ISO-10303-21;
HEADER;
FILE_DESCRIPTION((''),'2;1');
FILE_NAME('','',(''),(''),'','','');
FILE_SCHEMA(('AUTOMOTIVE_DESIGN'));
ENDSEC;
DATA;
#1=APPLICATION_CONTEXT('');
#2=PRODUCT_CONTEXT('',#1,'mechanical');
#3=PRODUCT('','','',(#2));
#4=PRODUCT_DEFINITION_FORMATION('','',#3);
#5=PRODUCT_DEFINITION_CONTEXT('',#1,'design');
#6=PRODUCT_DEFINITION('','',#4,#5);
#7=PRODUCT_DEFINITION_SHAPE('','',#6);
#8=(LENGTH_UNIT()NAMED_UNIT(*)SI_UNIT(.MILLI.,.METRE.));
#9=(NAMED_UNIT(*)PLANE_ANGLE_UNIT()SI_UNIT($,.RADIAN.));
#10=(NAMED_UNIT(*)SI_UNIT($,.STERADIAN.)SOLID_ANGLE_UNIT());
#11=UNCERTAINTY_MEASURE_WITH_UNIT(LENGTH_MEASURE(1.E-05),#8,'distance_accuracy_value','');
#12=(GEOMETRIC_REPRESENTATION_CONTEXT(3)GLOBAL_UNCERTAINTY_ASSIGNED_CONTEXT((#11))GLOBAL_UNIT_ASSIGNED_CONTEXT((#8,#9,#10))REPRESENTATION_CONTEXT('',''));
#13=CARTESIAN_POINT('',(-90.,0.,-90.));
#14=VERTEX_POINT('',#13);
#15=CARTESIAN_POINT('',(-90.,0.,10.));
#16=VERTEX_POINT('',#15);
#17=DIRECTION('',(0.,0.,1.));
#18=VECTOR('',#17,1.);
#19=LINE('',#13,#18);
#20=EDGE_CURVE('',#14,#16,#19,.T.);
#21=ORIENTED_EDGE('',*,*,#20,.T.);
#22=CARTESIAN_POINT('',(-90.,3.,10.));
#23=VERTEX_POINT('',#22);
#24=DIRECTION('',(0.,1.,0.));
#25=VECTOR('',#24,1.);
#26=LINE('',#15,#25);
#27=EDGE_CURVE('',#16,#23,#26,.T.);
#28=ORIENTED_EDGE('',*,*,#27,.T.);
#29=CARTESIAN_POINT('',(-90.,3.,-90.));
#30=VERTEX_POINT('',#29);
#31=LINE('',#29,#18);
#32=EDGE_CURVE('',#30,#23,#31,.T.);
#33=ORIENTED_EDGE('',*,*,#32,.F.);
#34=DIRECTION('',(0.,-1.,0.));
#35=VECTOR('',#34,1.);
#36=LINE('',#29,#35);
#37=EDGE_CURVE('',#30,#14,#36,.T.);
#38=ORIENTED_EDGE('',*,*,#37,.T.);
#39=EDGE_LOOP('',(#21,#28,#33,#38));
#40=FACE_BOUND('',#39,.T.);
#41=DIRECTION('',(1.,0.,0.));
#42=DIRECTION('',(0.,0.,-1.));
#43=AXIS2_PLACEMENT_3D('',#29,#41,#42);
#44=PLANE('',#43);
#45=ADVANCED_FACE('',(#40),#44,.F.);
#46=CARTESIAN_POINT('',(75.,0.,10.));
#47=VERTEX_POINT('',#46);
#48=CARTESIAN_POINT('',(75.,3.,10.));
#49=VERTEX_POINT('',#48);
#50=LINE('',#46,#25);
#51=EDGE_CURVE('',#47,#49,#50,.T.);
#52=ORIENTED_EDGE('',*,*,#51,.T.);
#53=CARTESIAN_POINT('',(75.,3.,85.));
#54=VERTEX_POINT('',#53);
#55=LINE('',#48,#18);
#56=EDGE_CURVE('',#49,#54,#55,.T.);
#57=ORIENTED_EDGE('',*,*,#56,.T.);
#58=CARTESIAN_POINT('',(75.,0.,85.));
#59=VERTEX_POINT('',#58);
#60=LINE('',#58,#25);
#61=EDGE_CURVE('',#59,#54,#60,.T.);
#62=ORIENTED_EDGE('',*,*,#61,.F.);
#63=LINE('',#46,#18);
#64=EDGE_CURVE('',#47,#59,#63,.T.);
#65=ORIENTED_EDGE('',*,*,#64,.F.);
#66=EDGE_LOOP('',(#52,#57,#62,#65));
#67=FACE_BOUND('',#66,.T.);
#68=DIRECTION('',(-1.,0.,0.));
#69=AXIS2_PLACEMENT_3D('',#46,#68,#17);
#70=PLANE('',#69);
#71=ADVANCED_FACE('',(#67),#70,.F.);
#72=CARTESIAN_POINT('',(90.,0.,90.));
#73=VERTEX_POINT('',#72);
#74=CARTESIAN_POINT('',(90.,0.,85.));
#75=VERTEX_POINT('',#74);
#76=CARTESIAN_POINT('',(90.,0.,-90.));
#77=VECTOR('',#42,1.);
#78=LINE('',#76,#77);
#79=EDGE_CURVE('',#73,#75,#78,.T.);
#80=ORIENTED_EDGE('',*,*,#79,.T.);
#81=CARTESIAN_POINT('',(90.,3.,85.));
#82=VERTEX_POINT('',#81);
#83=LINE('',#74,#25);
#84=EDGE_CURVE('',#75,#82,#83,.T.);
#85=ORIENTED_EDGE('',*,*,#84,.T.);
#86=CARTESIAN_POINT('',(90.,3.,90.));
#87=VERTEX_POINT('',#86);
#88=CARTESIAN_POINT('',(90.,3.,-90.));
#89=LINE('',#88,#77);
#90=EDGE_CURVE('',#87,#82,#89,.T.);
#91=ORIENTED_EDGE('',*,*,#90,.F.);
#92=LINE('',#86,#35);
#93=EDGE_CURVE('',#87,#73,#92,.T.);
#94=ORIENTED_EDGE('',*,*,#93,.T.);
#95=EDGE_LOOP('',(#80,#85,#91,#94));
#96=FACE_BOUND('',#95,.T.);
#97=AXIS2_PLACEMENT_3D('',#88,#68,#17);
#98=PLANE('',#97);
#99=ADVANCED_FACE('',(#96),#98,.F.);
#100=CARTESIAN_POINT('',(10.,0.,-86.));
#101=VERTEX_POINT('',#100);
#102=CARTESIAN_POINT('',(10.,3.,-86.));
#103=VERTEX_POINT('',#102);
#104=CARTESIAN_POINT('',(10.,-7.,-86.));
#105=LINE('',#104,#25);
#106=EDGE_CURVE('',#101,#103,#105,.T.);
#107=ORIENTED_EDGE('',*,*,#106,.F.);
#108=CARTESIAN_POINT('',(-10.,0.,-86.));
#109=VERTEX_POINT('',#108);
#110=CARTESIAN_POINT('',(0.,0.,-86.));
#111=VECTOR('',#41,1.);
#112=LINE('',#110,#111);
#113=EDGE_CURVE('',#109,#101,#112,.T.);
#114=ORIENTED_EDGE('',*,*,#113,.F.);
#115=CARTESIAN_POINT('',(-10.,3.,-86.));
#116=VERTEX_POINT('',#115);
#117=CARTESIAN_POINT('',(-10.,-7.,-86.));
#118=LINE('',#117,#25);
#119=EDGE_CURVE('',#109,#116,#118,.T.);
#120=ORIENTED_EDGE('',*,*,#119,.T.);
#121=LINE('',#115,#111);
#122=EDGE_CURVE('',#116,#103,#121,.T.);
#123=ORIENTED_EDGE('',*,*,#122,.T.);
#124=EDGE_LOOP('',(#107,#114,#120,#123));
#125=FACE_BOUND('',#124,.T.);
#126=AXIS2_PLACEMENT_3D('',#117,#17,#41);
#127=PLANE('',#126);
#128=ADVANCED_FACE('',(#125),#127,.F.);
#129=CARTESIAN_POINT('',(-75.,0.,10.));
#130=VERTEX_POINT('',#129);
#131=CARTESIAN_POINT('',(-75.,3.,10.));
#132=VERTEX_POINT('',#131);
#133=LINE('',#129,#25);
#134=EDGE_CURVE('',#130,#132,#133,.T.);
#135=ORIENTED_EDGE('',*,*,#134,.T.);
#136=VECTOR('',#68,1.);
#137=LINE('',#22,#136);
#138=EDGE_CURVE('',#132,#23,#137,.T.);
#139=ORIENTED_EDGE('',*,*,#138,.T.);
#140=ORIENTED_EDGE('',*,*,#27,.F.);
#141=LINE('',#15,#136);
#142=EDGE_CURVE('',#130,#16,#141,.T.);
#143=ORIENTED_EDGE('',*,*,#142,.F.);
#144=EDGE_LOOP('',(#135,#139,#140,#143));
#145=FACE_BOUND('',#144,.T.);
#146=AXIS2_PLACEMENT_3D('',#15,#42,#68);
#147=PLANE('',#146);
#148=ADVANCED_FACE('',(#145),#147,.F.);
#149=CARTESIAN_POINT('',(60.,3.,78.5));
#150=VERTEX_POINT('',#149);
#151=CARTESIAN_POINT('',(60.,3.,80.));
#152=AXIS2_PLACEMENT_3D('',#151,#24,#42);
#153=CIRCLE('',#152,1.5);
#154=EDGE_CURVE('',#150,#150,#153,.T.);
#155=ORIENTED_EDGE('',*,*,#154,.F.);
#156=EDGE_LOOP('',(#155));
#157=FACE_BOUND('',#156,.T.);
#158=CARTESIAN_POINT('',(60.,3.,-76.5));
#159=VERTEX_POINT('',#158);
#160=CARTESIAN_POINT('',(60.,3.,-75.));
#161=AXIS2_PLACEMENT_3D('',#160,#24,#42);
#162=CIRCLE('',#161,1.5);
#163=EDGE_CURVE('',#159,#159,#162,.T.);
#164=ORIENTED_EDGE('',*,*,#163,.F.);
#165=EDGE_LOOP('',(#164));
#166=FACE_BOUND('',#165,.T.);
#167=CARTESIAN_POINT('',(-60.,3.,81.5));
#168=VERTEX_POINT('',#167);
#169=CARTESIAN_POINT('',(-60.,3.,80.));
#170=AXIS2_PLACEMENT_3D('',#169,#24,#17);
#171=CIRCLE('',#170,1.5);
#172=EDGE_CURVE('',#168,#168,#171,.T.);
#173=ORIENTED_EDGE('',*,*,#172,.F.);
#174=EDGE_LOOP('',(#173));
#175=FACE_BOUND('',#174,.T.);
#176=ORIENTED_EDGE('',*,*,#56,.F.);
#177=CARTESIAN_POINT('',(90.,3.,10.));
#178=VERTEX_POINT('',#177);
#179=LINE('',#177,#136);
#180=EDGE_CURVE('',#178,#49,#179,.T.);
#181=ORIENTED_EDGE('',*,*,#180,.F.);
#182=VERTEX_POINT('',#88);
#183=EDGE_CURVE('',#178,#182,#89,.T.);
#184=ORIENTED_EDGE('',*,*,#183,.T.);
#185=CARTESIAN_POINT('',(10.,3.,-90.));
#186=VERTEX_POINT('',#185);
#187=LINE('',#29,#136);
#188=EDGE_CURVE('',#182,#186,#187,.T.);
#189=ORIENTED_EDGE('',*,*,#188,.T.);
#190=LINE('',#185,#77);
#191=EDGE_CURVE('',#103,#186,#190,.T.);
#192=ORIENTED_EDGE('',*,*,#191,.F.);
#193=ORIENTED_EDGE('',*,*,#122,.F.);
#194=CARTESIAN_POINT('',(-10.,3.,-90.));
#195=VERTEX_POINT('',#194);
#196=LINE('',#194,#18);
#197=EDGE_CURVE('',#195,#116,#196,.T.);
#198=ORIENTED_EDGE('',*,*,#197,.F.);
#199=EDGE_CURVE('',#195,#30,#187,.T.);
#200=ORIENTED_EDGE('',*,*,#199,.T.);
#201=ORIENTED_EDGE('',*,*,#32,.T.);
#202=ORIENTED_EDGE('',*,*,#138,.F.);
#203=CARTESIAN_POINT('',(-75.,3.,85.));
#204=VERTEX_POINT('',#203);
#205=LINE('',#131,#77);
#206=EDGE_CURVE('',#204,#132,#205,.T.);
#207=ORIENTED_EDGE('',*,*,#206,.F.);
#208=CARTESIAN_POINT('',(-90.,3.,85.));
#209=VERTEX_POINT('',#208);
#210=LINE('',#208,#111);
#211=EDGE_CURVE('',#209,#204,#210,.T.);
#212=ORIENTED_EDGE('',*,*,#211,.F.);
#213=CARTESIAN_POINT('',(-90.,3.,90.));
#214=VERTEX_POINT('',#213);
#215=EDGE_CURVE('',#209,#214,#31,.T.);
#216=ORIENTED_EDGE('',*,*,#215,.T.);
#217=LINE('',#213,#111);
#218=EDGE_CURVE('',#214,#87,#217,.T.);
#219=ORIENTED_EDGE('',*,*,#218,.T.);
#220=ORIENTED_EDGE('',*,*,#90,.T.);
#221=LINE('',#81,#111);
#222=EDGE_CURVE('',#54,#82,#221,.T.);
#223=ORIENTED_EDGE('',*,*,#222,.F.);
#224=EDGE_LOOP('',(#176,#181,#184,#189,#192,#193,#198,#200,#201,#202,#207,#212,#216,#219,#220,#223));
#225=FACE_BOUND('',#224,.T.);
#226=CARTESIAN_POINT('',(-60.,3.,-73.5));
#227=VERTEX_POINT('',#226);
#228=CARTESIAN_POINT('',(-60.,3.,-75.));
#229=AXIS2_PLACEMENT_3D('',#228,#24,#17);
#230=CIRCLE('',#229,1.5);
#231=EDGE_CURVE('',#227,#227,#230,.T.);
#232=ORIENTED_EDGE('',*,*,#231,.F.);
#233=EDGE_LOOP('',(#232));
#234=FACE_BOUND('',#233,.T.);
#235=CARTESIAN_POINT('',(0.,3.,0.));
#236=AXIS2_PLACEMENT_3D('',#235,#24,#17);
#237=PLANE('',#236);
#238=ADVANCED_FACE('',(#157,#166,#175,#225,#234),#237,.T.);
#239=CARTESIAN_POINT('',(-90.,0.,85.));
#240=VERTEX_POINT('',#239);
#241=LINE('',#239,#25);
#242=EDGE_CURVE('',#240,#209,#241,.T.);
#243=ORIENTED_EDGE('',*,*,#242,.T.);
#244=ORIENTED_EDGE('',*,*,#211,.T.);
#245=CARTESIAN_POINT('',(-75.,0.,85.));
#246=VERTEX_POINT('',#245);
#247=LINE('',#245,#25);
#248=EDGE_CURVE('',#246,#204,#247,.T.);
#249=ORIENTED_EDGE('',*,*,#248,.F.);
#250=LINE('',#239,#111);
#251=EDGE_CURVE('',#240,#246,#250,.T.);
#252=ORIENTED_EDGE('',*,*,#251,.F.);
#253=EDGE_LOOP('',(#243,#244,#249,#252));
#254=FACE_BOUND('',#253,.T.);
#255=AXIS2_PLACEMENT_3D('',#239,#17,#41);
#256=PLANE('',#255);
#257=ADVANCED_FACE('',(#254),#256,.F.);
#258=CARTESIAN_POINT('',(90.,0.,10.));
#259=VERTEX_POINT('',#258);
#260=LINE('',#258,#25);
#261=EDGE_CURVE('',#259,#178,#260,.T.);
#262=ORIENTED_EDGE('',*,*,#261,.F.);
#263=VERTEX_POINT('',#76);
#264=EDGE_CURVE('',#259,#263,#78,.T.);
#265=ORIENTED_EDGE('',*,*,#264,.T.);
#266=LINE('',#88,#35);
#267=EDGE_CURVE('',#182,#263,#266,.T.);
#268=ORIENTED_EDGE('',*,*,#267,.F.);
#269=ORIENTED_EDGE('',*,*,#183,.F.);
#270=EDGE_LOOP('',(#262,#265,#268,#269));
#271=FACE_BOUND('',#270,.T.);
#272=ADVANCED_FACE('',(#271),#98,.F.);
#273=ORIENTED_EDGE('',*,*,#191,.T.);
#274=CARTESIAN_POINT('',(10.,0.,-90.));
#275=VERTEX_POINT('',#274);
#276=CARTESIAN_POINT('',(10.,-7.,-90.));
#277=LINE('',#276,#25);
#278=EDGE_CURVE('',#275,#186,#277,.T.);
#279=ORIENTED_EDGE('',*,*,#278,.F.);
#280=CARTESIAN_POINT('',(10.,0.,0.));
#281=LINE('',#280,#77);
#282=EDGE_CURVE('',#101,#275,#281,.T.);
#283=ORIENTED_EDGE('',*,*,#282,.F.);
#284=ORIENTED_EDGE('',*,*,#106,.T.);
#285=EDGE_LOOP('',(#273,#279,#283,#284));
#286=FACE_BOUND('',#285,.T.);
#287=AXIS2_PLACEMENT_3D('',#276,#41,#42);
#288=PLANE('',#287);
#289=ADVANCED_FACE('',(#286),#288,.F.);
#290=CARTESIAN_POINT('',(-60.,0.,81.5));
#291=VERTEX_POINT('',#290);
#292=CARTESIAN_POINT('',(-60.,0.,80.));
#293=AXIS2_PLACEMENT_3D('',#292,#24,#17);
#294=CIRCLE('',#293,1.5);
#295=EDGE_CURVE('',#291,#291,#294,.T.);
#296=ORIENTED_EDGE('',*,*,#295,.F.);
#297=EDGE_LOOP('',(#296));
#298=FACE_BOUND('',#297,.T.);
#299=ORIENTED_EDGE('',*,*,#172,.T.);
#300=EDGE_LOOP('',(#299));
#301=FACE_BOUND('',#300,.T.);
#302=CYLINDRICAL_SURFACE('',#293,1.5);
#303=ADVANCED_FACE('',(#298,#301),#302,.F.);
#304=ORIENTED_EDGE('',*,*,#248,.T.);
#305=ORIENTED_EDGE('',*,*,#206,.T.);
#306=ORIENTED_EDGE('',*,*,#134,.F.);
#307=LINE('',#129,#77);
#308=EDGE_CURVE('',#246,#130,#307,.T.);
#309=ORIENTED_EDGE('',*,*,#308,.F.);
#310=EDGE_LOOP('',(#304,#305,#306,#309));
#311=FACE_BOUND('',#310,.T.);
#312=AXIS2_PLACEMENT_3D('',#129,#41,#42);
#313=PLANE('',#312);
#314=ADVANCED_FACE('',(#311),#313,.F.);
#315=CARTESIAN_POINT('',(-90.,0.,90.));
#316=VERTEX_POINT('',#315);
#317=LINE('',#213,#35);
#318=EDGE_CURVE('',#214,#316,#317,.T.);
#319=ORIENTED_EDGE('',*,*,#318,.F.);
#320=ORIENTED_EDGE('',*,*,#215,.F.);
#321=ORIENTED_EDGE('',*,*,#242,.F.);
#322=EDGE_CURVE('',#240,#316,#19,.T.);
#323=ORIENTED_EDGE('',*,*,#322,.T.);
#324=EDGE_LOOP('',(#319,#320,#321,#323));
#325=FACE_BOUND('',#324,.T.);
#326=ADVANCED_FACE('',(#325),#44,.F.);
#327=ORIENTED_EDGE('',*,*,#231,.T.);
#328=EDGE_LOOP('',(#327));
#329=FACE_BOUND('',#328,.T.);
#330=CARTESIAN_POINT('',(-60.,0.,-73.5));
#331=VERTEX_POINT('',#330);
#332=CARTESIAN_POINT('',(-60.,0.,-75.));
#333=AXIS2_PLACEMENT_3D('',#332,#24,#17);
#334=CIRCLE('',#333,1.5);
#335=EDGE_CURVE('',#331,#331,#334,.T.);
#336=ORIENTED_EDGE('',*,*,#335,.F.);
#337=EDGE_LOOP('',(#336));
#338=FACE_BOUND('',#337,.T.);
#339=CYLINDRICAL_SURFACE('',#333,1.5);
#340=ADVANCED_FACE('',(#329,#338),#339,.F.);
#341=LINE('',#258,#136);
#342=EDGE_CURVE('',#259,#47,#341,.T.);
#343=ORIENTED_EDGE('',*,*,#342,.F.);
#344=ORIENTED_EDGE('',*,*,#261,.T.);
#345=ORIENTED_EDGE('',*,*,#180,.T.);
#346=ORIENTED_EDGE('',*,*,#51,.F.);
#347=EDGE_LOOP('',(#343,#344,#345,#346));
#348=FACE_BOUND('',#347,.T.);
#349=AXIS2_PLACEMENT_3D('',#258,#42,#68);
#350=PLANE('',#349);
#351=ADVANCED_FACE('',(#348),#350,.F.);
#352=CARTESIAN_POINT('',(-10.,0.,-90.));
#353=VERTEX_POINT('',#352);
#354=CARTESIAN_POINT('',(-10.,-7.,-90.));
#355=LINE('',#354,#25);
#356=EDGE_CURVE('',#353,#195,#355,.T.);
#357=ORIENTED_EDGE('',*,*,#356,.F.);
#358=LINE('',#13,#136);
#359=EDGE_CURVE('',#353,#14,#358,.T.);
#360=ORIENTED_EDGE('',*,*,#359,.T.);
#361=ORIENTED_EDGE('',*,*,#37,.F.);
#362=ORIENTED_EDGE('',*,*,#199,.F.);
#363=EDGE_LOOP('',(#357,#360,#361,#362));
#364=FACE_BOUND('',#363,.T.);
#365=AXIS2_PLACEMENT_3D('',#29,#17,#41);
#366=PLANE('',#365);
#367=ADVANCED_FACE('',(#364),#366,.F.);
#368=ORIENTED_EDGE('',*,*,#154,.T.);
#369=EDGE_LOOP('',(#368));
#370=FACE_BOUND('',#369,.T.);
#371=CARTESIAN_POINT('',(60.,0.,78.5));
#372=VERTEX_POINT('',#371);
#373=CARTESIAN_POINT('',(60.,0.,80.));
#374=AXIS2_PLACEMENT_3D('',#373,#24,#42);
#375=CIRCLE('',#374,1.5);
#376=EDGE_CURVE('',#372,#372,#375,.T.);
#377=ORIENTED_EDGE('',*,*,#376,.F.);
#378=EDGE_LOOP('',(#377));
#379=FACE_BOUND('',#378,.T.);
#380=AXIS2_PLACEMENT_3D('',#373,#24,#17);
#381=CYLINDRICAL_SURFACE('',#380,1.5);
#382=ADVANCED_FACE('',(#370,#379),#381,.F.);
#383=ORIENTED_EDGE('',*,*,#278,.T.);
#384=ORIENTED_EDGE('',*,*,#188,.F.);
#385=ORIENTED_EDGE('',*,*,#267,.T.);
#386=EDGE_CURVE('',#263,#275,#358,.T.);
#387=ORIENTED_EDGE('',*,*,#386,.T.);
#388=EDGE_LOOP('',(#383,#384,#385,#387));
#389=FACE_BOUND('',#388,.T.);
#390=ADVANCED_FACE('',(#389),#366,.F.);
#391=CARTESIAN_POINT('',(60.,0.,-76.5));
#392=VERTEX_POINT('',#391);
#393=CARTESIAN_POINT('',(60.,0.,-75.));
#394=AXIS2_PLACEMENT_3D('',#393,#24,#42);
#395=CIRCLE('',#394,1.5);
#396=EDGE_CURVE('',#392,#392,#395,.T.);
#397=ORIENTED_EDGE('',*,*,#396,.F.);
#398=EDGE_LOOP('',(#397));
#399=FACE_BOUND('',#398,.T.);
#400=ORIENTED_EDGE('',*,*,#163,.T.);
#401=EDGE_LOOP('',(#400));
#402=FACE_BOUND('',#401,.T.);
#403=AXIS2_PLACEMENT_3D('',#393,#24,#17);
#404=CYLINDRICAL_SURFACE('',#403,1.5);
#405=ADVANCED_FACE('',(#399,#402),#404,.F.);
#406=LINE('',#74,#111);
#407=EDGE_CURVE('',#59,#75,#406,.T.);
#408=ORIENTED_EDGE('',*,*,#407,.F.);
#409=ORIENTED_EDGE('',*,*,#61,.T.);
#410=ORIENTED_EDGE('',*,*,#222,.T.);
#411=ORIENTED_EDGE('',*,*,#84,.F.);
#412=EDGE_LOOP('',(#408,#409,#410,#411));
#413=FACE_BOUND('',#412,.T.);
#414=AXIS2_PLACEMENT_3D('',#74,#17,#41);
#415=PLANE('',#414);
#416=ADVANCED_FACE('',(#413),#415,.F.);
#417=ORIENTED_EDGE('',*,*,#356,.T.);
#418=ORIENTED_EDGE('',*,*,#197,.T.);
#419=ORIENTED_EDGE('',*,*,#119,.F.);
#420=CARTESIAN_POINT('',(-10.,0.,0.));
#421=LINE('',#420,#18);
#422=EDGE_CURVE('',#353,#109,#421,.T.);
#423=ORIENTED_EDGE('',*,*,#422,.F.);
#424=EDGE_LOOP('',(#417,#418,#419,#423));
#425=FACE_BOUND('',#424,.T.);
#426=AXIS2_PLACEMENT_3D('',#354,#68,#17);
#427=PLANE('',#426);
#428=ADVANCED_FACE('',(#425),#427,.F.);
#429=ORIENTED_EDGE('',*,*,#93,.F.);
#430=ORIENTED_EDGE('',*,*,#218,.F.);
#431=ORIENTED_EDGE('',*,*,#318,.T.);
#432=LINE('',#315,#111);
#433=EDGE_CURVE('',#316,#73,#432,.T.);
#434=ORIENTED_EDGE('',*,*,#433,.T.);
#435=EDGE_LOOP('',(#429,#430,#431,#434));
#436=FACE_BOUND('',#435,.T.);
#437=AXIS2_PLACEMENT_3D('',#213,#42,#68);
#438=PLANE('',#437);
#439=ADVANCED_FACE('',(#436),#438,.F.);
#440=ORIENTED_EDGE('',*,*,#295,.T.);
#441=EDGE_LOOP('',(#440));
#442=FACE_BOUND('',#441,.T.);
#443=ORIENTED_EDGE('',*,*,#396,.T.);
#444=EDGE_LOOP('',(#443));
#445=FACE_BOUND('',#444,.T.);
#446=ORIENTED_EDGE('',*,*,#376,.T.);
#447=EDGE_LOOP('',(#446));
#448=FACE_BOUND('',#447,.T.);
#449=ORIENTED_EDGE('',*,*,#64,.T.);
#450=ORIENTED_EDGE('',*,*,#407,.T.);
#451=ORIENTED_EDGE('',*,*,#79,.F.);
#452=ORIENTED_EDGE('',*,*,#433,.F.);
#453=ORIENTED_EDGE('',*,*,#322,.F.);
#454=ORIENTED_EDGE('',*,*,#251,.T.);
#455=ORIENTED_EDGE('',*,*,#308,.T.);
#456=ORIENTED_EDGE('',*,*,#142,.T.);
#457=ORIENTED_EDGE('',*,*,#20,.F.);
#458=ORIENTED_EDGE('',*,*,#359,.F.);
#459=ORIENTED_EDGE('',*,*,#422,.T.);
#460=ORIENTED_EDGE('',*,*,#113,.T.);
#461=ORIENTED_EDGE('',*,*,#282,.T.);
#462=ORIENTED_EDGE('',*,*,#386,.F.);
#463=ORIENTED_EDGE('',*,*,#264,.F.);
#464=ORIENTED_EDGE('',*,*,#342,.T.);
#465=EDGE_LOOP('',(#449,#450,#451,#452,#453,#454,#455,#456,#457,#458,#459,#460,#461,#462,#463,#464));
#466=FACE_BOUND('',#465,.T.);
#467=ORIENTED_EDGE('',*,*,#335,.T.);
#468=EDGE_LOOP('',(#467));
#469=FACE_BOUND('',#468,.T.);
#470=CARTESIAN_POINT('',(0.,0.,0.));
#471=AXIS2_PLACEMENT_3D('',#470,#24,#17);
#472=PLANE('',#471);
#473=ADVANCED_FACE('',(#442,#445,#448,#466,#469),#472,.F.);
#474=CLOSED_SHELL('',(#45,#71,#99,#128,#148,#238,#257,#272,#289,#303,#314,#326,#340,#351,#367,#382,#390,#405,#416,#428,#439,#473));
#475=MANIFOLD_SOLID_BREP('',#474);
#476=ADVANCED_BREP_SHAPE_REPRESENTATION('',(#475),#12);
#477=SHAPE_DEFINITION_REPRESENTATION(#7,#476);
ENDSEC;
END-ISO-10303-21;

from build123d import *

# Parameters (mm, degrees)
SKETCH1_W           = 180
SKETCH1_H           = 180
BOSS_EXTRUDE1_DEPTH = 3
SKETCH2_W           = 15
SKETCH2_H           = 75
CUT_EXTRUDE1_DEPTH  = 3
SKETCH3_R           = 1.5
CUT_EXTRUDE2_DEPTH  = 3
SKETCH4_W           = 20
SKETCH4_H           = 4
CUT_EXTRUDE3_DEPTH  = 10


with BuildPart() as part:
    # Sketch1 → Boss-Extrude1 (new body)
    with BuildSketch(Plane(origin=(0, 0, 0), x_dir=(1, 0, 0), z_dir=(0, 1, 0))):
        Rectangle(SKETCH1_W, SKETCH1_H)
    extrude(amount=BOSS_EXTRUDE1_DEPTH)

    # Sketch2 → Cut-Extrude1 (cut)
    with BuildSketch(Plane(origin=(0, 3, 0), x_dir=(1, 0, 0), z_dir=(0, 1, 0))):
        with Locations((-82.5, -47.5)):
            Rectangle(SKETCH2_W, SKETCH2_H)
        with Locations((82.5, -47.5)):
            Rectangle(SKETCH2_W, SKETCH2_H)
    extrude(amount=-CUT_EXTRUDE1_DEPTH, mode=Mode.SUBTRACT)

    # Sketch3 → Cut-Extrude2 (cut)
    with BuildSketch(Plane(origin=(0, 3, 0), x_dir=(1, 0, 0), z_dir=(0, 1, 0))):
        with Locations(Location((-60, -80, 0), (0, 0, 270))):
            Circle(SKETCH3_R)
        with Locations(Location((60, -80, 0), (0, 0, 90))):
            Circle(SKETCH3_R)
        with Locations(Location((-60, 75, 0), (0, 0, 270))):
            Circle(SKETCH3_R)
        with Locations(Location((60, 75, 0), (0, 0, 90))):
            Circle(SKETCH3_R)
    extrude(amount=-CUT_EXTRUDE2_DEPTH, mode=Mode.SUBTRACT)

    # Sketch4 → Cut-Extrude3 (cut)
    with BuildSketch(Plane(origin=(0, 3, 0), x_dir=(1, 0, 0), z_dir=(0, 1, 0))):
        with Locations((0, 88)):
            Rectangle(SKETCH4_W, SKETCH4_H)
    extrude(amount=-CUT_EXTRUDE3_DEPTH, mode=Mode.SUBTRACT)


solid = part.part
